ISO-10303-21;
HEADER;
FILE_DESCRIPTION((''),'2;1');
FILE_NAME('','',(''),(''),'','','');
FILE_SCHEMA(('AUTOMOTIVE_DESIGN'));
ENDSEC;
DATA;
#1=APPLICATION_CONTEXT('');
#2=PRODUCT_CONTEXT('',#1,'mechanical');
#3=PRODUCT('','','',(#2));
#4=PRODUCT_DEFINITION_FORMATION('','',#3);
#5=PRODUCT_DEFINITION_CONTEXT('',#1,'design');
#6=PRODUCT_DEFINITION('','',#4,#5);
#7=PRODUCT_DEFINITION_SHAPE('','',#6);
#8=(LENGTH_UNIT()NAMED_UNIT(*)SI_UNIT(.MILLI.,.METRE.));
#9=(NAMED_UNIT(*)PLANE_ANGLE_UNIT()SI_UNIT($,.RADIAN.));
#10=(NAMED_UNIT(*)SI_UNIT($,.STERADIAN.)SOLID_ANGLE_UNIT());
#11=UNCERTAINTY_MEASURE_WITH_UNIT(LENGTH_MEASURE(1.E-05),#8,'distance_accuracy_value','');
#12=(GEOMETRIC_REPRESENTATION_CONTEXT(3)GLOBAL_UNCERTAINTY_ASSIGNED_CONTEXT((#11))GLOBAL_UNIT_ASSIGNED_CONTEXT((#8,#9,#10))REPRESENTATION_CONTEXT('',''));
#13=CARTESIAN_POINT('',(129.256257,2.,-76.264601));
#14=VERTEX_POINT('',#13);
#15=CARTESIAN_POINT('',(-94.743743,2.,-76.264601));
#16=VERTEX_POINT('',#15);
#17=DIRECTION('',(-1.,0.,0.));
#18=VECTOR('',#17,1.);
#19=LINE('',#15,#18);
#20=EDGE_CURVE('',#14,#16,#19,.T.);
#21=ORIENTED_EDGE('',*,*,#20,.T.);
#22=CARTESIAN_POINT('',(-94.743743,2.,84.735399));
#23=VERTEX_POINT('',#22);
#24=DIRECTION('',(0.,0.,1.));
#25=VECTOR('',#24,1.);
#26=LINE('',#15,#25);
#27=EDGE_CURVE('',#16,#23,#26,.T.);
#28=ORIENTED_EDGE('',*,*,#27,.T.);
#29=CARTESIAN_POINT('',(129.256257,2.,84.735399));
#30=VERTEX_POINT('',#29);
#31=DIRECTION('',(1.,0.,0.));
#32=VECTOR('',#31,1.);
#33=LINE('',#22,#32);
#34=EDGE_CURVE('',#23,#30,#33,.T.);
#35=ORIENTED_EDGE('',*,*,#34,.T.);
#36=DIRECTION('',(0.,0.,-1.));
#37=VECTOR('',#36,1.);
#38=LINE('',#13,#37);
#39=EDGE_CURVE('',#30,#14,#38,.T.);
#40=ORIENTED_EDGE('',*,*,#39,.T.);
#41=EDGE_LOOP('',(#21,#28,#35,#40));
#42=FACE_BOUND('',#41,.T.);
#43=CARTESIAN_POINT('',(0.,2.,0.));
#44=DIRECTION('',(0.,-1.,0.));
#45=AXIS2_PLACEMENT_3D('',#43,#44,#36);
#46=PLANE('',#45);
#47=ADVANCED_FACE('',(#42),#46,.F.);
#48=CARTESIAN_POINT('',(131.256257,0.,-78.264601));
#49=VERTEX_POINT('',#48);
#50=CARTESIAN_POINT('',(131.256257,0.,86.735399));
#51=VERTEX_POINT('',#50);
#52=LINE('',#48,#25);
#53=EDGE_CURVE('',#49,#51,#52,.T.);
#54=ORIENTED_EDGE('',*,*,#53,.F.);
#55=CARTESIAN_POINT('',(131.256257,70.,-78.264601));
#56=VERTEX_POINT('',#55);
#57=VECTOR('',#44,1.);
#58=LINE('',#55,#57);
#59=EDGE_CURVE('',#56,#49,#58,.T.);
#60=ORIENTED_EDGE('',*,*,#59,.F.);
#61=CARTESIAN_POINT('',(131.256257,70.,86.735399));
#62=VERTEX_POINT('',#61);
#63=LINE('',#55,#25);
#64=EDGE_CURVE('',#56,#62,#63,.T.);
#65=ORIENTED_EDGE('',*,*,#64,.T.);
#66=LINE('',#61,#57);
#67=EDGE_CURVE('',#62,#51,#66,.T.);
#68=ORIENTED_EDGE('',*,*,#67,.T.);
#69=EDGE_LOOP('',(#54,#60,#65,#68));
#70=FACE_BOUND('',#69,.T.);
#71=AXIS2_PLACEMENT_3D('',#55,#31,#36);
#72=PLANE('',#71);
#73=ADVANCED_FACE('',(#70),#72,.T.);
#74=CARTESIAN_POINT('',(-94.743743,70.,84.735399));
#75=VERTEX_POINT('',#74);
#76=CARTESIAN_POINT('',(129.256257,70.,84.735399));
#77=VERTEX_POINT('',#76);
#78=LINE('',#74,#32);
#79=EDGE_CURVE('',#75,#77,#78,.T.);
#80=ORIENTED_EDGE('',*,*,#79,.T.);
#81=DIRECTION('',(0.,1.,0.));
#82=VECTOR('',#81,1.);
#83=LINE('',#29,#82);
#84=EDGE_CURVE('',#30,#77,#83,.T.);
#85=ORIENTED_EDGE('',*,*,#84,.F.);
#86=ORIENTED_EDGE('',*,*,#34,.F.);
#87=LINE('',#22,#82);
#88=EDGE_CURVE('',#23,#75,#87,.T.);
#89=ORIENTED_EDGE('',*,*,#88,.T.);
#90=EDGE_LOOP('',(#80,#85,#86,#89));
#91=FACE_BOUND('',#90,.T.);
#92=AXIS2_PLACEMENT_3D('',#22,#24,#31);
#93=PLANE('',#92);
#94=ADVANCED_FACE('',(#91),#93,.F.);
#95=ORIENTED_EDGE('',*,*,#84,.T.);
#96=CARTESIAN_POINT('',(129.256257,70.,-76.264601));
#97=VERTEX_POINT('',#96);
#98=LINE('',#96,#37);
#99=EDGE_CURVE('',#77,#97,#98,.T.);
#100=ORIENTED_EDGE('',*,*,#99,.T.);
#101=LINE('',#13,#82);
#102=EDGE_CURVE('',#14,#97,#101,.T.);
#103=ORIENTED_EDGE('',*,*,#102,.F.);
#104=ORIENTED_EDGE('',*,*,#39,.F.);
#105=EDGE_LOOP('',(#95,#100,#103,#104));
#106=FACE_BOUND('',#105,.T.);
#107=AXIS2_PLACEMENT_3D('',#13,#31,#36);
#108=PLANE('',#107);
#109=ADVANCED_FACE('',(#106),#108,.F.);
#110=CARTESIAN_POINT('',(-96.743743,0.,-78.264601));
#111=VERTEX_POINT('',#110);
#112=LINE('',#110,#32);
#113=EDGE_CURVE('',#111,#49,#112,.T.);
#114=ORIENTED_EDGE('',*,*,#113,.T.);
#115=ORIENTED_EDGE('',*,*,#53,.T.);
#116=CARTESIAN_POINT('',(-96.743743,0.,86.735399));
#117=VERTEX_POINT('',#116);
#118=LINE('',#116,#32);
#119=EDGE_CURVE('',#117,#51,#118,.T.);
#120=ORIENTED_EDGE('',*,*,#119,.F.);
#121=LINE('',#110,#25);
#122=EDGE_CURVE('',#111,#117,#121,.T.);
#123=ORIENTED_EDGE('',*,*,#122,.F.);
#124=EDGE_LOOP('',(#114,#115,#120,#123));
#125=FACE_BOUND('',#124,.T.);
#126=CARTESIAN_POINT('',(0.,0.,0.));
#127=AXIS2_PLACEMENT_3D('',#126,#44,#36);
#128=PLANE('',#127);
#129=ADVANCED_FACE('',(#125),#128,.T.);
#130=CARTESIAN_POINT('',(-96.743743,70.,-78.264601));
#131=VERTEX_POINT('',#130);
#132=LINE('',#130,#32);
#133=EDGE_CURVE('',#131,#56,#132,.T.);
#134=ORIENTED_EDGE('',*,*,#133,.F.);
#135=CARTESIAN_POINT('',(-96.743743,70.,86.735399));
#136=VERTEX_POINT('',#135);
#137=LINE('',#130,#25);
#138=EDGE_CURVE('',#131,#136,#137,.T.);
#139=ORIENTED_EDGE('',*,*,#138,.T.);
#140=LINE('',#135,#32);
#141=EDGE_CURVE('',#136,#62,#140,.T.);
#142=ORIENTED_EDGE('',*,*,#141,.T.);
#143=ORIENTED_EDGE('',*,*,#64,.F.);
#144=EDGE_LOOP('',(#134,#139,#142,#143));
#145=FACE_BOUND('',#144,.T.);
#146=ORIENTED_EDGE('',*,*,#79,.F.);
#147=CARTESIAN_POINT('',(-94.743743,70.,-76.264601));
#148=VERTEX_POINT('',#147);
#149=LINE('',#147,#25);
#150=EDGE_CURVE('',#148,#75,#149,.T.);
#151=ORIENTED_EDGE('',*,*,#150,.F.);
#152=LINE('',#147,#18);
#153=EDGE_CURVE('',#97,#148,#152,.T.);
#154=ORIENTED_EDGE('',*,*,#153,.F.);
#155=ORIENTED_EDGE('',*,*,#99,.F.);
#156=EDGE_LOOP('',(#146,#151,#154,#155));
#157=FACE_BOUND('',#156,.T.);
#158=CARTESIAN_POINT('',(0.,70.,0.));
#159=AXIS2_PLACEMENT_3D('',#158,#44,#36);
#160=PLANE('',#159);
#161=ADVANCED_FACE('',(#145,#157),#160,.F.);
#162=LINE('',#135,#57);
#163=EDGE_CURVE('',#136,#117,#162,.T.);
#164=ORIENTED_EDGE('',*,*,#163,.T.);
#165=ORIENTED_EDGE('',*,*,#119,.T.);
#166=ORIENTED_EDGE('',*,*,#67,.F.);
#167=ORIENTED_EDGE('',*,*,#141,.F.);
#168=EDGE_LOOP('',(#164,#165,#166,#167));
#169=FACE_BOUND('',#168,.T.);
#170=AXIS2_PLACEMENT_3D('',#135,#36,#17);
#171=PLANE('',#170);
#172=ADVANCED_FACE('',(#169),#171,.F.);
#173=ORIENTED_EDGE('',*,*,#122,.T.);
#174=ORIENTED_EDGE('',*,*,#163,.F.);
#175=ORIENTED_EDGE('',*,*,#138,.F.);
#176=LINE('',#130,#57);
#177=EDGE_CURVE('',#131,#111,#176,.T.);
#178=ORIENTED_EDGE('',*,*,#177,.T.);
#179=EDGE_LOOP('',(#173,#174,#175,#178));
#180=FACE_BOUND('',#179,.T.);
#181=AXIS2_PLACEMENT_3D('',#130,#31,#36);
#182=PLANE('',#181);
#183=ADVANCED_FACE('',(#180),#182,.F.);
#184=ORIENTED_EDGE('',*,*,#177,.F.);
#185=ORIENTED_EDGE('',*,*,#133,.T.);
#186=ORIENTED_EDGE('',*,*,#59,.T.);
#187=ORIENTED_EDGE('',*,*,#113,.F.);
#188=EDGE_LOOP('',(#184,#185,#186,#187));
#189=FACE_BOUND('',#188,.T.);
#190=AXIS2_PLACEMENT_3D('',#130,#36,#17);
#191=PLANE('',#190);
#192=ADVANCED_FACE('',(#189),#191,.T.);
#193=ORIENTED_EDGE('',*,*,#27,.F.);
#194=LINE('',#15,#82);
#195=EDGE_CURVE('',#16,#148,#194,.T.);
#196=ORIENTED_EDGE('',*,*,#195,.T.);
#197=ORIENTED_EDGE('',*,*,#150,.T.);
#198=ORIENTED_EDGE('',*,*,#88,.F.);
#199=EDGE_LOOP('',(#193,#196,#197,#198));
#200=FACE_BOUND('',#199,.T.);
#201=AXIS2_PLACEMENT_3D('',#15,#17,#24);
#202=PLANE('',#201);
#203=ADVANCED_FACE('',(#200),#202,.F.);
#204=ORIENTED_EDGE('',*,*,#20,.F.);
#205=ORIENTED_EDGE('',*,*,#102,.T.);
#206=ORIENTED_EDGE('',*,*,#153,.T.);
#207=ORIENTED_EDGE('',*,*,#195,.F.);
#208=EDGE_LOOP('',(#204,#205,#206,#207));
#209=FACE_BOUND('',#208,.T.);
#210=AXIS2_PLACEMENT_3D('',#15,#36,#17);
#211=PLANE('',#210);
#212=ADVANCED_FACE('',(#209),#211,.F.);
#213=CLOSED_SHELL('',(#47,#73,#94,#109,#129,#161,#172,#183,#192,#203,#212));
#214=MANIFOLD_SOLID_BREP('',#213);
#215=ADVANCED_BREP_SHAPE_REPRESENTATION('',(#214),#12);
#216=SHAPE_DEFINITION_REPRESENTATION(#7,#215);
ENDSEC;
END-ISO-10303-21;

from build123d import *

# Parameters (mm, degrees)
SKETCH1_W           = 228
SKETCH1_H           = 165
BOSS_EXTRUDE1_DEPTH = 70
SKETCH2_OUTSIDE_W   = 288.004
SKETCH2_OUTSIDE_H   = 225.004
SKETCH2_OUTSIDE_W_2 = 228
SKETCH2_OUTSIDE_H_2 = 165
SKETCH2_OUTSIDE_W_3 = 224
SKETCH2_OUTSIDE_H_3 = 161
CUT_EXTRUDE1_DEPTH  = 68


with BuildPart() as part:
    # Sketch1 → Boss-Extrude1 (new body)
    with BuildSketch(Plane(origin=(0, 0, 0), x_dir=(1, 0, 0), z_dir=(0, 1, 0))):
        with Locations((17.256257449, -4.235399285)):
            Rectangle(SKETCH1_W, SKETCH1_H)
    extrude(amount=BOSS_EXTRUDE1_DEPTH)

    # Sketch2 outside → Cut-Extrude1 (cut)
    # profile 1 of 2: a face of its own
    with BuildSketch(Plane(origin=(0, 70, 0), x_dir=(1, 0, 0), z_dir=(0, 1, 0))):
        with Locations((17.256, -4.235)):
            Rectangle(SKETCH2_OUTSIDE_W, SKETCH2_OUTSIDE_H)
        with Locations((17.256257449, -4.235399285)):
            Rectangle(SKETCH2_OUTSIDE_W_2, SKETCH2_OUTSIDE_H_2, mode=Mode.SUBTRACT)
    # profile 2 of 2: a face of its own
    with BuildSketch(Plane(origin=(0, 70, 0), x_dir=(1, 0, 0), z_dir=(0, 1, 0))):
        with Locations((17.256257449, -4.235399285)):
            Rectangle(SKETCH2_OUTSIDE_W_3, SKETCH2_OUTSIDE_H_3)
    extrude(amount=-CUT_EXTRUDE1_DEPTH, mode=Mode.SUBTRACT)


solid = part.part
